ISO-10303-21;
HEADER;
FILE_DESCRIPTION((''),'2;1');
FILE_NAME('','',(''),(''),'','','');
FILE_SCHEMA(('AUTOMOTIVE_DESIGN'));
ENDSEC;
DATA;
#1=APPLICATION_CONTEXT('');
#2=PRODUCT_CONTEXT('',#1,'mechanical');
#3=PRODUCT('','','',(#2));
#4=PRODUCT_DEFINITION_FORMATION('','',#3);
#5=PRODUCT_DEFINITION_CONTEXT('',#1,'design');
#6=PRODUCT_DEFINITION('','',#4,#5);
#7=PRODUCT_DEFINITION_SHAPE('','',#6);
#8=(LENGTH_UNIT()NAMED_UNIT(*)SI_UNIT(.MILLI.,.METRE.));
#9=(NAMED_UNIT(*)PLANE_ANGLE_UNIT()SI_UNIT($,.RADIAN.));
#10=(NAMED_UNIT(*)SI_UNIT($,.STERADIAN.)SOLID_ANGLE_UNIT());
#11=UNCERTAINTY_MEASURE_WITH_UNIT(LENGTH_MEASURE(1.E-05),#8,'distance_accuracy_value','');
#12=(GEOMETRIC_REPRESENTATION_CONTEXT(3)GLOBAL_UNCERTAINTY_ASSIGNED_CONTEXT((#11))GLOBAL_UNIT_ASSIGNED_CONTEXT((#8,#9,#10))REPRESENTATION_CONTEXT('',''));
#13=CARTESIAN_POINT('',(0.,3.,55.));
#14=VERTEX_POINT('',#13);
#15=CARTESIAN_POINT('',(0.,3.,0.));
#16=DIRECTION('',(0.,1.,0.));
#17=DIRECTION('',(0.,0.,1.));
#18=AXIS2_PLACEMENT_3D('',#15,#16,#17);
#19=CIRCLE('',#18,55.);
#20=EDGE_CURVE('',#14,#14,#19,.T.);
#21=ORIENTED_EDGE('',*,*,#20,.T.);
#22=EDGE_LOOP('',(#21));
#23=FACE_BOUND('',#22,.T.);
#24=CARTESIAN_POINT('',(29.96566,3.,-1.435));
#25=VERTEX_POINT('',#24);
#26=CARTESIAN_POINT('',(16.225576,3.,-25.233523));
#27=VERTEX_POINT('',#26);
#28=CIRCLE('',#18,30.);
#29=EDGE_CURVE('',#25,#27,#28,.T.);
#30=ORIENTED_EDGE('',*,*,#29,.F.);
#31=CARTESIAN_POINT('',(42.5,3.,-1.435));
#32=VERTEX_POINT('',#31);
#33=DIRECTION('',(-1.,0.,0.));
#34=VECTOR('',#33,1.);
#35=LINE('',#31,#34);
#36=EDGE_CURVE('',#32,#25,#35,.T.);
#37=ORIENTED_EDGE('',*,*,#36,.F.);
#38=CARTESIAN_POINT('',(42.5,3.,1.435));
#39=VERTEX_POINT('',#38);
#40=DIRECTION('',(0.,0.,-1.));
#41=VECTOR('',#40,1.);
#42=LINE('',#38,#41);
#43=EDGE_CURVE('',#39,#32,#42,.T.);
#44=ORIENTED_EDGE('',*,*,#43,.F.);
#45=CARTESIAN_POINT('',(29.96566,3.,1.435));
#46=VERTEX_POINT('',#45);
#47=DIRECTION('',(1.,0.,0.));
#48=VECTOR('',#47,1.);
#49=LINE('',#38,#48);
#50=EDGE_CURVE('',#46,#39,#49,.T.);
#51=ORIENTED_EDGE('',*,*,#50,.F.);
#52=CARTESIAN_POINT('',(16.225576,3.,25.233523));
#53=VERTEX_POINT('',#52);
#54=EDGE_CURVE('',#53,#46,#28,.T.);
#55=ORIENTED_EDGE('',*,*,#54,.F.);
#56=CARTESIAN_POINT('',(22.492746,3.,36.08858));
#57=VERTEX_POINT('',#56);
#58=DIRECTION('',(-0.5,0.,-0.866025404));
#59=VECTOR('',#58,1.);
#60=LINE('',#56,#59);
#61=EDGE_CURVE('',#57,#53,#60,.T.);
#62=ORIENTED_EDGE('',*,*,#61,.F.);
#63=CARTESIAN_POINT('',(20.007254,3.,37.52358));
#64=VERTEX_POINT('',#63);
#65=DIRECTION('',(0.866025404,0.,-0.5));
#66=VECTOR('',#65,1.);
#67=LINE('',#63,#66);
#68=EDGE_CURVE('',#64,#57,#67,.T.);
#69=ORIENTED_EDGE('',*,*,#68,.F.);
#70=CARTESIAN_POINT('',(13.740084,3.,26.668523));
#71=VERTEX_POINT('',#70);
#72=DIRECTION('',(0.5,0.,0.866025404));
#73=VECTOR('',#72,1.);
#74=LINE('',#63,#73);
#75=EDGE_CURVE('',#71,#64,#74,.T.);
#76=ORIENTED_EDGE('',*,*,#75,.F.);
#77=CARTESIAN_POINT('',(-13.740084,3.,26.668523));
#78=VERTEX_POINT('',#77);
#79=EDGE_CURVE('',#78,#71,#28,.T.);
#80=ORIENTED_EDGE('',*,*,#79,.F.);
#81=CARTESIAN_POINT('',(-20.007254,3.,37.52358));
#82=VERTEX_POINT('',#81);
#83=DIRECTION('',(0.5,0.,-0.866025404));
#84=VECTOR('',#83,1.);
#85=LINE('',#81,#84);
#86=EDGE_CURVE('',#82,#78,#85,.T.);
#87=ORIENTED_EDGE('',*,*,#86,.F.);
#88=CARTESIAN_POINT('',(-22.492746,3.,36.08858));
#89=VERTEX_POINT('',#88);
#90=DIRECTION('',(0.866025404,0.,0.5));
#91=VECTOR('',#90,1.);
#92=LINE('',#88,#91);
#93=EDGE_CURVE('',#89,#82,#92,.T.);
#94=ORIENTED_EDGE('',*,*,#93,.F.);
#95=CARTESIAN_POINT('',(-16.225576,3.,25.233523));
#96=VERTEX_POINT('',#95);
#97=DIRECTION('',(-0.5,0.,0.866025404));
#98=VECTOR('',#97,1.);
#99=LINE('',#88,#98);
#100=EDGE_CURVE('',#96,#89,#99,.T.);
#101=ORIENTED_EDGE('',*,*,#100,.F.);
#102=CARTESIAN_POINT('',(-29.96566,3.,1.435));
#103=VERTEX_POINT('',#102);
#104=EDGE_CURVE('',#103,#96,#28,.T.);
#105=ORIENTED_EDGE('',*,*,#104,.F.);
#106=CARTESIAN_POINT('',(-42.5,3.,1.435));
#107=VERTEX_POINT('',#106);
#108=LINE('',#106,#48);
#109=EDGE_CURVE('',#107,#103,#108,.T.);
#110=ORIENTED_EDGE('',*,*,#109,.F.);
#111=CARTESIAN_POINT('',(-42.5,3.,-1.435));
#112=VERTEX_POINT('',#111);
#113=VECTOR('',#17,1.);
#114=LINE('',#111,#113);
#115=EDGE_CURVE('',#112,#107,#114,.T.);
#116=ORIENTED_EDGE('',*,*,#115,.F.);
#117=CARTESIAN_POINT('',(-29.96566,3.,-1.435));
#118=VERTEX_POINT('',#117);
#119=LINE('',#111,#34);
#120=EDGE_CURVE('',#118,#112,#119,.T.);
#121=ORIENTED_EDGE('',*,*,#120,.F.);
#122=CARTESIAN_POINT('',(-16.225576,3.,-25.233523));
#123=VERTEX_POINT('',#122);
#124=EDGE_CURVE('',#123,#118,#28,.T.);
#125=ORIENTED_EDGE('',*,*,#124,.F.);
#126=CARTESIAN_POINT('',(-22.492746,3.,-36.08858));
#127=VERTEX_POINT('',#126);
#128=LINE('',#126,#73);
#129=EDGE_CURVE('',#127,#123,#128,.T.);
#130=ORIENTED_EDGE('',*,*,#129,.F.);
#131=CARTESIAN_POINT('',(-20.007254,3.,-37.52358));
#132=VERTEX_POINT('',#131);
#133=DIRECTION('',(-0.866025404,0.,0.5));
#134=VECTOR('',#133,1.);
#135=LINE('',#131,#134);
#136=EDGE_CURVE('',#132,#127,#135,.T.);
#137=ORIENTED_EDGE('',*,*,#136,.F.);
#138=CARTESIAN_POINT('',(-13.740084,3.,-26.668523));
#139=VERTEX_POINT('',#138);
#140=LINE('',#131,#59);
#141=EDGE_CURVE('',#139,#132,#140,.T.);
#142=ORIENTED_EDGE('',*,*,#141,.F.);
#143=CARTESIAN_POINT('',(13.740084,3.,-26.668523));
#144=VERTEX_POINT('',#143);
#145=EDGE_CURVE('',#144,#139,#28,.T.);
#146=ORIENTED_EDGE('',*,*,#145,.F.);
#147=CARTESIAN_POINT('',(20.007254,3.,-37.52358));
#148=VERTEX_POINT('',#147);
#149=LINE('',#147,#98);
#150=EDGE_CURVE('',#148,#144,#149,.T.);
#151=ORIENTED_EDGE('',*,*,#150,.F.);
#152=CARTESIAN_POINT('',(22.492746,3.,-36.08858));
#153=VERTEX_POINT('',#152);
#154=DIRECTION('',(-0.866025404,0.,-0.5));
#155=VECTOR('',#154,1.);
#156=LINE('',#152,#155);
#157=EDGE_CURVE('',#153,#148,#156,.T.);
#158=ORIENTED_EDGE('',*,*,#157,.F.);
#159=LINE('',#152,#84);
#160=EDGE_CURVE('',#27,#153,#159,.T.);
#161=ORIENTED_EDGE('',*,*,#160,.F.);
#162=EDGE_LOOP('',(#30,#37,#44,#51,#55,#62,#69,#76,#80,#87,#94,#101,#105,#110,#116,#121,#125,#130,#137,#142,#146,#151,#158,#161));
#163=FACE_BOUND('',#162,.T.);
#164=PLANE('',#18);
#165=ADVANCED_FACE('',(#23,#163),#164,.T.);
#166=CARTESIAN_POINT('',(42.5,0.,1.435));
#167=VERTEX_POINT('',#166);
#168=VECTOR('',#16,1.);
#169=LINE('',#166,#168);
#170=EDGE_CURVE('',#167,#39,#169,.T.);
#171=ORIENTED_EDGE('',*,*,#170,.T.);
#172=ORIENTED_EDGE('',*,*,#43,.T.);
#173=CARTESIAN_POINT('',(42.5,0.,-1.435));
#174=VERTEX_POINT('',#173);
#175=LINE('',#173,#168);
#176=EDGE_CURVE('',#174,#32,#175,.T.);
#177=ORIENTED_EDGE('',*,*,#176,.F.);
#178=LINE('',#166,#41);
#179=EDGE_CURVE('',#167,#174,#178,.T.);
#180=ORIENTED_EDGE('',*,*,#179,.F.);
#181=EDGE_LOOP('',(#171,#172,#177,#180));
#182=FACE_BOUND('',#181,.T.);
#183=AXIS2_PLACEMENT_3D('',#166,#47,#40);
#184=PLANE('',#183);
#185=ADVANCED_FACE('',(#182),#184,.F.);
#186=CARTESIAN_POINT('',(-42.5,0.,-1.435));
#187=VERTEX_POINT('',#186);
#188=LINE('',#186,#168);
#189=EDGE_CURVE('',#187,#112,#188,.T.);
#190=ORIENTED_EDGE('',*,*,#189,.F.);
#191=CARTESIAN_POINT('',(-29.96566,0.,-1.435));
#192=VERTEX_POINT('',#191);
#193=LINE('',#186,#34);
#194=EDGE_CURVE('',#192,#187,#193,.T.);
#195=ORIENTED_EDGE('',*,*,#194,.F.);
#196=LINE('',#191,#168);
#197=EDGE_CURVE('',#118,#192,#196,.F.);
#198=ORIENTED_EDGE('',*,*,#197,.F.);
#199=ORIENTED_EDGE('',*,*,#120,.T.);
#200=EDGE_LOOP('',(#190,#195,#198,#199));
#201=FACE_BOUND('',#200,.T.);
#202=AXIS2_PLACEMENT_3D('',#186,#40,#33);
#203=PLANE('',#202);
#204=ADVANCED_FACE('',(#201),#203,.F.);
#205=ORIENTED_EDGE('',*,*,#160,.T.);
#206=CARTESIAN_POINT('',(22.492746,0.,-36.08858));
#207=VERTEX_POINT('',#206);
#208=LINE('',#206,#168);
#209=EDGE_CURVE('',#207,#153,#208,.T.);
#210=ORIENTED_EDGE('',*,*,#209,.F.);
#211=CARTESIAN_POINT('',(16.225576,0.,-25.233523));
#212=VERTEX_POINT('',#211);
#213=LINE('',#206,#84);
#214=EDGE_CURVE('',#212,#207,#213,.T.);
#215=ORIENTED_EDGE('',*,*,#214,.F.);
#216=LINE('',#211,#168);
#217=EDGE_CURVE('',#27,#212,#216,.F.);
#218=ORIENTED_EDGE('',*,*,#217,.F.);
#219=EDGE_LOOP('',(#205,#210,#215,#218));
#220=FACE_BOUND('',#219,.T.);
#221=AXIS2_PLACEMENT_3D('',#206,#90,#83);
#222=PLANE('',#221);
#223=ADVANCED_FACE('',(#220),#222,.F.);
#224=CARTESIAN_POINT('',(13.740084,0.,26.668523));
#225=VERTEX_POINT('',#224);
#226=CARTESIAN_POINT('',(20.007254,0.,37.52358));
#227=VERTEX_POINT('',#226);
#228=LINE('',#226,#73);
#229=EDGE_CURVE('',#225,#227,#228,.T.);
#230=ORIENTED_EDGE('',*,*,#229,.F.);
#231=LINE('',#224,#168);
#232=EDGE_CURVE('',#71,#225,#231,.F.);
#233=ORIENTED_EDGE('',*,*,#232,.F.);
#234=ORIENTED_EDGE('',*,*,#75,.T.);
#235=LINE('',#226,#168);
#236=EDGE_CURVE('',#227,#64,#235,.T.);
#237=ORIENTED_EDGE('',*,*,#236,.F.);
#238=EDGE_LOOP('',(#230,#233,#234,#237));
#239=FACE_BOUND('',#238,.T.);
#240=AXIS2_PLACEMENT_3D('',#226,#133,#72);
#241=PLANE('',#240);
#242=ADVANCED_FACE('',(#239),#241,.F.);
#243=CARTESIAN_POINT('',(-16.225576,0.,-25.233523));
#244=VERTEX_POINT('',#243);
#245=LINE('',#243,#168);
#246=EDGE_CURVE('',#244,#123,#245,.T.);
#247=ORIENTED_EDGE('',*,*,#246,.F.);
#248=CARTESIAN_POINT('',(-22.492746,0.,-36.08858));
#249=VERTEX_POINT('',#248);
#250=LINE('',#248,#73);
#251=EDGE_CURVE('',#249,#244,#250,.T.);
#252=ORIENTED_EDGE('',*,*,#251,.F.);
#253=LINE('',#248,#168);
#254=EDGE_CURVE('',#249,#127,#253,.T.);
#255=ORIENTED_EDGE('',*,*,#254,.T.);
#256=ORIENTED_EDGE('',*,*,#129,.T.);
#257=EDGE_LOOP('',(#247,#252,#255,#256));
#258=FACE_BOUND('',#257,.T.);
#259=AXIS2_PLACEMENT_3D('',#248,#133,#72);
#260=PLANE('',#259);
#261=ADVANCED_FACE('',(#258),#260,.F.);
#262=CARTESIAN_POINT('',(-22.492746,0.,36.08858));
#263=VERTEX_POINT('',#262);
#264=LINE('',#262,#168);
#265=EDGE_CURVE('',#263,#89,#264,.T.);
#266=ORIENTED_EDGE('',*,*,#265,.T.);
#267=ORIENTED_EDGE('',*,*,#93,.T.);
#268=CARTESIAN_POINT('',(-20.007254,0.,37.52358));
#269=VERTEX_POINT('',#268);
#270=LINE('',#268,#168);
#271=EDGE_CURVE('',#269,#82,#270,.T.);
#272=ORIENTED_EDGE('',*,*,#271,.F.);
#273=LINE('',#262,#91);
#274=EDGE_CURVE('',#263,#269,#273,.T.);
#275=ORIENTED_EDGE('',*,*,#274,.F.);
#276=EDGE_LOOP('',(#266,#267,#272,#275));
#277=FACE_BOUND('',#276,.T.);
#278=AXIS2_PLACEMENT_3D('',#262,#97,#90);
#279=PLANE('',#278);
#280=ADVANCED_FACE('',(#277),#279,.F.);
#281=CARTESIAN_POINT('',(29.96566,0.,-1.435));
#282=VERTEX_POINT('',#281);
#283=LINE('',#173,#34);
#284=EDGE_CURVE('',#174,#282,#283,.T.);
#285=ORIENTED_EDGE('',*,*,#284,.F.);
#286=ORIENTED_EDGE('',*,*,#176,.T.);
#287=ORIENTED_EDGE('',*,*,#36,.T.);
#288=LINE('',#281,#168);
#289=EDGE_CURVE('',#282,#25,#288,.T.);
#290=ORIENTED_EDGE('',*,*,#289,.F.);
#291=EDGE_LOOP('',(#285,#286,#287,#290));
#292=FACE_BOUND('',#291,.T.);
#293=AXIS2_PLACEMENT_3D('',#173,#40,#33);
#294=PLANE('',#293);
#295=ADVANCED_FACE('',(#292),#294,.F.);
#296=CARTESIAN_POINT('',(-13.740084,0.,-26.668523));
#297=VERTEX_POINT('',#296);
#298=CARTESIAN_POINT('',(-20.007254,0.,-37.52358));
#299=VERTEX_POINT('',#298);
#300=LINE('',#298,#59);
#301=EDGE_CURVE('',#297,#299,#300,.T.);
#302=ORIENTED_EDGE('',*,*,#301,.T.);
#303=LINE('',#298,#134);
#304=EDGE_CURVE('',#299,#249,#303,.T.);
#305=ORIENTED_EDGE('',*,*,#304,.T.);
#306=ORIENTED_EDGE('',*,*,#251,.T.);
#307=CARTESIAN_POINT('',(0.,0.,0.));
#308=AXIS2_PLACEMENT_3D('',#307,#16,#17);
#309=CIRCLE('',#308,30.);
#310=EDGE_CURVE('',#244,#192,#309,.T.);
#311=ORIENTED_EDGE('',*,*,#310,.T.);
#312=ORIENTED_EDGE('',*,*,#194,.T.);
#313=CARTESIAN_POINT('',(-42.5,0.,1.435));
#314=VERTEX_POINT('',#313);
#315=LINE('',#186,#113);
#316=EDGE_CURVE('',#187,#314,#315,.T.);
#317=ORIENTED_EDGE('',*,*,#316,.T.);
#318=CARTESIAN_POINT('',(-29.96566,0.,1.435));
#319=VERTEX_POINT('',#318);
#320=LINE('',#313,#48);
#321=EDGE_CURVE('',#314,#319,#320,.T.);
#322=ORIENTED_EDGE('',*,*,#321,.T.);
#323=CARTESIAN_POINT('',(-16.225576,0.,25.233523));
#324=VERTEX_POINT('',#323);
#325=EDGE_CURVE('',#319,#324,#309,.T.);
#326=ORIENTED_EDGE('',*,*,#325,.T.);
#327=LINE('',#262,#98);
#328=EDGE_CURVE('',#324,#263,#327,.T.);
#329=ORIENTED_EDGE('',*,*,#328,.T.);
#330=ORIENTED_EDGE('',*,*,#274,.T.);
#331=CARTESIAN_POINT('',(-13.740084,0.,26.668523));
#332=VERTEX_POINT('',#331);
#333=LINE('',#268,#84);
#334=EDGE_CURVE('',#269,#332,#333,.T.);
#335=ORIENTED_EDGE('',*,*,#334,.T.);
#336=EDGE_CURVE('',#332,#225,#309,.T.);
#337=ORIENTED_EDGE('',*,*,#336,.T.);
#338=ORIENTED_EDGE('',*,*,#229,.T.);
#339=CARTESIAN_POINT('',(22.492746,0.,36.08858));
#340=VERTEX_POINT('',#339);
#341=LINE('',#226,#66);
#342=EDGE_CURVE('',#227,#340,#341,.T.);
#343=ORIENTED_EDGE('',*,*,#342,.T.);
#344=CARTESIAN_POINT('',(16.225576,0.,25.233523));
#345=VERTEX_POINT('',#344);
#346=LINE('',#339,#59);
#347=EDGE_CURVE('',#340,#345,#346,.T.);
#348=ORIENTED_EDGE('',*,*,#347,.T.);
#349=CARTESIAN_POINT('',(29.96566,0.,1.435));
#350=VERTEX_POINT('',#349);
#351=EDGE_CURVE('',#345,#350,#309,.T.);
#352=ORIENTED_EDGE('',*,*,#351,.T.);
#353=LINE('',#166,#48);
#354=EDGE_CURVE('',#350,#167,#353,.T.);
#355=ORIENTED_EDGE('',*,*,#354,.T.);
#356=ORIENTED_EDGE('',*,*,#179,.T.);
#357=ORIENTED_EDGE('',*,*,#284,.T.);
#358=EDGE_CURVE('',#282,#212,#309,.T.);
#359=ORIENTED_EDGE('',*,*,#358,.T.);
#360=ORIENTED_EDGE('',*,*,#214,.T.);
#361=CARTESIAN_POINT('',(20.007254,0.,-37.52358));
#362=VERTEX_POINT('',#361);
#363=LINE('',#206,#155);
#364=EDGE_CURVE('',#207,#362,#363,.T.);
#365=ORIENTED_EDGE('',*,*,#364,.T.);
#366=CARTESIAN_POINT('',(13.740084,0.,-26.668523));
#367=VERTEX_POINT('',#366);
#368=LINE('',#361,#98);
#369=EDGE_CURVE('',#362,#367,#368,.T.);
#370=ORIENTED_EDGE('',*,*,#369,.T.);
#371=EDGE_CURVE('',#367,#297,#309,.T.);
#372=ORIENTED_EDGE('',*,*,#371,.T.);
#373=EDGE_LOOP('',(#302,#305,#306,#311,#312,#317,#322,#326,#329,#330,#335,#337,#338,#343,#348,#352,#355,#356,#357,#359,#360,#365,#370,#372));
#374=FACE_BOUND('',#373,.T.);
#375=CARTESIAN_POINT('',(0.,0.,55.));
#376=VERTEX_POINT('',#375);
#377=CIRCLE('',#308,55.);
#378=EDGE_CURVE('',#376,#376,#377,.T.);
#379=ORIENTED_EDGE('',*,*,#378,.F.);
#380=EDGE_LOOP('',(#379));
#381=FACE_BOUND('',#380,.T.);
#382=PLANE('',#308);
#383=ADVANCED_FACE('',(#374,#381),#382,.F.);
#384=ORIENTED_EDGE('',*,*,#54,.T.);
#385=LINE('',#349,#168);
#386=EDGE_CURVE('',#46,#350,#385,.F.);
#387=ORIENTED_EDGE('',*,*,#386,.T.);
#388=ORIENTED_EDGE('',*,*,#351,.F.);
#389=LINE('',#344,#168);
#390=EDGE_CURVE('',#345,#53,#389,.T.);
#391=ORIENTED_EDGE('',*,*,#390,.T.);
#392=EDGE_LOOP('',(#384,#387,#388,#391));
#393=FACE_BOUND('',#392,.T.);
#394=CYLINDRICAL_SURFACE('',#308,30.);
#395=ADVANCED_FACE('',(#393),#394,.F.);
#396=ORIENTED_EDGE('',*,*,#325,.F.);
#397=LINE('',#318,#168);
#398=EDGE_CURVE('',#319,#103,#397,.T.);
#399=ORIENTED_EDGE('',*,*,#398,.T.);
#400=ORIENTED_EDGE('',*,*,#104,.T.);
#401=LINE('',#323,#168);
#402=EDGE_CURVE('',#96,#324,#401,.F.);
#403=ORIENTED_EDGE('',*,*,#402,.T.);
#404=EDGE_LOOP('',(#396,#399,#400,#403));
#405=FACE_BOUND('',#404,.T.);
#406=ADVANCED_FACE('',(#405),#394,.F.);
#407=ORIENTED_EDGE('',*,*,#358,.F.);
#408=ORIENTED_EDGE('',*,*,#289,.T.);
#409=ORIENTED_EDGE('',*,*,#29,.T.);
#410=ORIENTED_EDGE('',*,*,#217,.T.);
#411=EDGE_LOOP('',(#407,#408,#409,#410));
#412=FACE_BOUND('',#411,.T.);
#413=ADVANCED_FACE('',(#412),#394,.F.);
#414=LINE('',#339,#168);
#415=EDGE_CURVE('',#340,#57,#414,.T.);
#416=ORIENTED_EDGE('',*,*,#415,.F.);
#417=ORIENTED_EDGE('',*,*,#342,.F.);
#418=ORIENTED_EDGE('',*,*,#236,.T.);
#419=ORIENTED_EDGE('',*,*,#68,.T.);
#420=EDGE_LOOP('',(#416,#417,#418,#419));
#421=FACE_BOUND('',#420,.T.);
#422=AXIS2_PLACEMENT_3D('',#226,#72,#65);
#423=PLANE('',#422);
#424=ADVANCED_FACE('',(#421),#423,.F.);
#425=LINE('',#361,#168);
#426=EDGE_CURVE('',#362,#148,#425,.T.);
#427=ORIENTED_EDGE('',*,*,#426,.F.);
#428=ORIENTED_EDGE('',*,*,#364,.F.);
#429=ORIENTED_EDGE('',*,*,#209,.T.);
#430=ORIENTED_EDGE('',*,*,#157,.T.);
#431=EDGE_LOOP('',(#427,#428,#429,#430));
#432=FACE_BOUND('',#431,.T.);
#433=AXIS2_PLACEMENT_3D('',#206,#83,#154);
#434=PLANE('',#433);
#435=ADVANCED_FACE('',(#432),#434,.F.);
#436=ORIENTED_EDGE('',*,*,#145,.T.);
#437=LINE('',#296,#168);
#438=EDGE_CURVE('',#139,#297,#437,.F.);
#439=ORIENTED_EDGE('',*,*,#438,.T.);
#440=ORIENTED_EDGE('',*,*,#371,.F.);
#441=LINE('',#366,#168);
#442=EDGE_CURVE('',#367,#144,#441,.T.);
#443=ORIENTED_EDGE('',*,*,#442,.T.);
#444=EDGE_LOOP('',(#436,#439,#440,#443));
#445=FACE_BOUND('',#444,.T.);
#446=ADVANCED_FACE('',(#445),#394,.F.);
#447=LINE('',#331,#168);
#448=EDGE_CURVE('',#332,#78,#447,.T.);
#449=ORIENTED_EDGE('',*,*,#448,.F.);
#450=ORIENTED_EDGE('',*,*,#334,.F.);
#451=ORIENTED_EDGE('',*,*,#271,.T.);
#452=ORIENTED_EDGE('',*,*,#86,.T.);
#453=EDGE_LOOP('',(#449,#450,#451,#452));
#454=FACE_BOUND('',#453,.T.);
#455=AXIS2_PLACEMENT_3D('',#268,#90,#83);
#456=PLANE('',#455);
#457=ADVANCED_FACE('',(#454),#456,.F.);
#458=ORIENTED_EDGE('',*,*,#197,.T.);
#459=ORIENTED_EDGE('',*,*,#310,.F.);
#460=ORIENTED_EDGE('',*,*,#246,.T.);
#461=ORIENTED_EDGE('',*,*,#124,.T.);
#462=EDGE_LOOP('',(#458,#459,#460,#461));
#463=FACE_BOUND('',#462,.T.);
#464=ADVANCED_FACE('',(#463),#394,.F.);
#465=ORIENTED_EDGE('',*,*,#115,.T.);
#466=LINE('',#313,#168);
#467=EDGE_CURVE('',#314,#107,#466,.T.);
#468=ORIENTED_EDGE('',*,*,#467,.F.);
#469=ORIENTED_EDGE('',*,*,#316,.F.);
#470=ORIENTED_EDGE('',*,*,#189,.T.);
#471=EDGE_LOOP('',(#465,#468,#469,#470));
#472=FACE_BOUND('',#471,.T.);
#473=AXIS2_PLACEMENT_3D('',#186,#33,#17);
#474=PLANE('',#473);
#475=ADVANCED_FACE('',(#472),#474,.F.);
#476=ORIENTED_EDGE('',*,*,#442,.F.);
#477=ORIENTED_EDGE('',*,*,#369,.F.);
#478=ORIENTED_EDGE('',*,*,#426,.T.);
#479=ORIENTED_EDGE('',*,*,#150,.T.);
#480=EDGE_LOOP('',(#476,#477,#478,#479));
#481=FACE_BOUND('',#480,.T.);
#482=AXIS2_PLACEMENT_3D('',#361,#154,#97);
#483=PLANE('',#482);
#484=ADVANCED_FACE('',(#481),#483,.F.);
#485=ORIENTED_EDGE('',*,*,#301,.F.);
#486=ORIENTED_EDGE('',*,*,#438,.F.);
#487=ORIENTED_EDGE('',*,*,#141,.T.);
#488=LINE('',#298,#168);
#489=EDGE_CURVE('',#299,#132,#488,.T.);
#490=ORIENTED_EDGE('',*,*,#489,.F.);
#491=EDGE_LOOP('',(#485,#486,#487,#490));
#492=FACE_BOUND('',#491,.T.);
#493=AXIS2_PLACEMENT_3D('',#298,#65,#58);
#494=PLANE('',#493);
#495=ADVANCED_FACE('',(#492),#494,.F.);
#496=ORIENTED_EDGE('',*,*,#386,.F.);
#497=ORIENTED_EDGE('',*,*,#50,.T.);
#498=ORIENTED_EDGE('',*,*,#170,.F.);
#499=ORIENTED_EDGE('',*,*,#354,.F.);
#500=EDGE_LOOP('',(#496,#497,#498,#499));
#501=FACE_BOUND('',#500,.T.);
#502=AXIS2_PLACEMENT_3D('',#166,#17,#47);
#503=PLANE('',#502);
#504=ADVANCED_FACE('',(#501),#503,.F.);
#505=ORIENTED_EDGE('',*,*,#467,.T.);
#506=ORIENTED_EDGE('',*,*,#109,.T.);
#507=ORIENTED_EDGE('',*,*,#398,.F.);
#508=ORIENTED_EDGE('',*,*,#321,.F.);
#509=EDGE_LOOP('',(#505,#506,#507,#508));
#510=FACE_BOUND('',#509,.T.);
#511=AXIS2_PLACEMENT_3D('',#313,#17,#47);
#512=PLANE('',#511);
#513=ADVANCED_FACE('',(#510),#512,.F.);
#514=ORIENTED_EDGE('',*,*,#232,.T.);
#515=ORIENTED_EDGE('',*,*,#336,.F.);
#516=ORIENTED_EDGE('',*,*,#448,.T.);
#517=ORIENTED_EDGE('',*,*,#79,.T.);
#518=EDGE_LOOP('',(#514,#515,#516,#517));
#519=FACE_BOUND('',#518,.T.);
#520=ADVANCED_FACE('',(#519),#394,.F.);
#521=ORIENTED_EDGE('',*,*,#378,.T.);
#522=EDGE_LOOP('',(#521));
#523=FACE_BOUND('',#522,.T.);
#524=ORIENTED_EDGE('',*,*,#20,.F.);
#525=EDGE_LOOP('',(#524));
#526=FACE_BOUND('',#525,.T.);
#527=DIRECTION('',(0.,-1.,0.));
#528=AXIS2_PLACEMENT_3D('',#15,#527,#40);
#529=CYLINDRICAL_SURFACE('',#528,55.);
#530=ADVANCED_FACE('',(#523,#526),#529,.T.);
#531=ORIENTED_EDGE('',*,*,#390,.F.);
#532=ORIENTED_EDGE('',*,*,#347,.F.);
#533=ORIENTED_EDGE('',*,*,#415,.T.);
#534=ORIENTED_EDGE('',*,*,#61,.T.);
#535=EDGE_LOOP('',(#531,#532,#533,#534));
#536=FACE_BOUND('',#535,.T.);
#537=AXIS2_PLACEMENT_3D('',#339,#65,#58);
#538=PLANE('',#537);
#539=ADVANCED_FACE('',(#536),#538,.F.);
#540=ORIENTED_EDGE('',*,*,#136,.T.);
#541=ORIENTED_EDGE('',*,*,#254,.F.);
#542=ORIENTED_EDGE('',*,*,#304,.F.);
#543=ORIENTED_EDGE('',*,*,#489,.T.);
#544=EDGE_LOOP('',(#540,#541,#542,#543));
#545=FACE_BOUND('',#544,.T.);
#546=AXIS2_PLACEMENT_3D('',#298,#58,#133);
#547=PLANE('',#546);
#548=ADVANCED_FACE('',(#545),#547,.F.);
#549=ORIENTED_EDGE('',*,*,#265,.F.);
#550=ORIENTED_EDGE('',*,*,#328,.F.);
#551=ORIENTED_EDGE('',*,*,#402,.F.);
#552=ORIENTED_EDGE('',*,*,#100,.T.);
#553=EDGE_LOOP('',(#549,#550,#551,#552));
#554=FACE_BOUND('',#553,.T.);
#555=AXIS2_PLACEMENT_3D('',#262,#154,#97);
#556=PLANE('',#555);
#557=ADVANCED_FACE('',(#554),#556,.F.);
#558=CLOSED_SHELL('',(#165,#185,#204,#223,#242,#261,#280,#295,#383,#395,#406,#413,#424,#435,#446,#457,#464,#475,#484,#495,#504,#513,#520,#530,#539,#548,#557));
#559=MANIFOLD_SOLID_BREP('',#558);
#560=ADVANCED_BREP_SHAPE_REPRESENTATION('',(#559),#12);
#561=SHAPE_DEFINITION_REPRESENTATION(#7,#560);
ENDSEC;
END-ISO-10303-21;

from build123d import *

# Parameters (mm, degrees)
SKETCH1_R           = 55
BOSS_EXTRUDE1_DEPTH = 3
SKETCH2_R           = 30
CUT_EXTRUDE1_DEPTH  = 3
SKETCH3_W           = 25
SKETCH3_H           = 2.87
CUT_EXTRUDE2_DEPTH  = 3
CIRPATTERN1_COUNT   = 6


with BuildPart() as part:
    # Sketch1 → Boss-Extrude1 (new body)
    with BuildSketch(Plane(origin=(0, 0, 0), x_dir=(1, 0, 0), z_dir=(0, 1, 0))):
        with Locations(Location((0, 0, 0), (0, 0, 270))):
            Circle(SKETCH1_R)
    extrude(amount=BOSS_EXTRUDE1_DEPTH)

    # Sketch2 → Cut-Extrude1 (cut)
    with BuildSketch(Plane(origin=(0, 3, 0), x_dir=(1, 0, 0), z_dir=(0, 1, 0))):
        with Locations(Location((0, 0, 0), (0, 0, 270))):
            Circle(SKETCH2_R)
    extrude(amount=-CUT_EXTRUDE1_DEPTH, mode=Mode.SUBTRACT)

    # Sketch3 → Cut-Extrude2 (cut)
    with BuildSketch(Plane(origin=(0, 3, 0), x_dir=(1, 0, 0), z_dir=(0, 1, 0))):
        with Locations((-30, 0)):
            Rectangle(SKETCH3_W, SKETCH3_H)
    cut_extrude2 = extrude(amount=-CUT_EXTRUDE2_DEPTH, mode=Mode.SUBTRACT)

    # CirPattern1: Cut-Extrude2 ×6 about axis
    cirpattern1_axis = Axis((0, 0, 0), (0, 1, 0))
    for i in range(1, CIRPATTERN1_COUNT):
        add(cut_extrude2.rotate(cirpattern1_axis, i * 360 / CIRPATTERN1_COUNT), mode=Mode.SUBTRACT)


solid = part.part
